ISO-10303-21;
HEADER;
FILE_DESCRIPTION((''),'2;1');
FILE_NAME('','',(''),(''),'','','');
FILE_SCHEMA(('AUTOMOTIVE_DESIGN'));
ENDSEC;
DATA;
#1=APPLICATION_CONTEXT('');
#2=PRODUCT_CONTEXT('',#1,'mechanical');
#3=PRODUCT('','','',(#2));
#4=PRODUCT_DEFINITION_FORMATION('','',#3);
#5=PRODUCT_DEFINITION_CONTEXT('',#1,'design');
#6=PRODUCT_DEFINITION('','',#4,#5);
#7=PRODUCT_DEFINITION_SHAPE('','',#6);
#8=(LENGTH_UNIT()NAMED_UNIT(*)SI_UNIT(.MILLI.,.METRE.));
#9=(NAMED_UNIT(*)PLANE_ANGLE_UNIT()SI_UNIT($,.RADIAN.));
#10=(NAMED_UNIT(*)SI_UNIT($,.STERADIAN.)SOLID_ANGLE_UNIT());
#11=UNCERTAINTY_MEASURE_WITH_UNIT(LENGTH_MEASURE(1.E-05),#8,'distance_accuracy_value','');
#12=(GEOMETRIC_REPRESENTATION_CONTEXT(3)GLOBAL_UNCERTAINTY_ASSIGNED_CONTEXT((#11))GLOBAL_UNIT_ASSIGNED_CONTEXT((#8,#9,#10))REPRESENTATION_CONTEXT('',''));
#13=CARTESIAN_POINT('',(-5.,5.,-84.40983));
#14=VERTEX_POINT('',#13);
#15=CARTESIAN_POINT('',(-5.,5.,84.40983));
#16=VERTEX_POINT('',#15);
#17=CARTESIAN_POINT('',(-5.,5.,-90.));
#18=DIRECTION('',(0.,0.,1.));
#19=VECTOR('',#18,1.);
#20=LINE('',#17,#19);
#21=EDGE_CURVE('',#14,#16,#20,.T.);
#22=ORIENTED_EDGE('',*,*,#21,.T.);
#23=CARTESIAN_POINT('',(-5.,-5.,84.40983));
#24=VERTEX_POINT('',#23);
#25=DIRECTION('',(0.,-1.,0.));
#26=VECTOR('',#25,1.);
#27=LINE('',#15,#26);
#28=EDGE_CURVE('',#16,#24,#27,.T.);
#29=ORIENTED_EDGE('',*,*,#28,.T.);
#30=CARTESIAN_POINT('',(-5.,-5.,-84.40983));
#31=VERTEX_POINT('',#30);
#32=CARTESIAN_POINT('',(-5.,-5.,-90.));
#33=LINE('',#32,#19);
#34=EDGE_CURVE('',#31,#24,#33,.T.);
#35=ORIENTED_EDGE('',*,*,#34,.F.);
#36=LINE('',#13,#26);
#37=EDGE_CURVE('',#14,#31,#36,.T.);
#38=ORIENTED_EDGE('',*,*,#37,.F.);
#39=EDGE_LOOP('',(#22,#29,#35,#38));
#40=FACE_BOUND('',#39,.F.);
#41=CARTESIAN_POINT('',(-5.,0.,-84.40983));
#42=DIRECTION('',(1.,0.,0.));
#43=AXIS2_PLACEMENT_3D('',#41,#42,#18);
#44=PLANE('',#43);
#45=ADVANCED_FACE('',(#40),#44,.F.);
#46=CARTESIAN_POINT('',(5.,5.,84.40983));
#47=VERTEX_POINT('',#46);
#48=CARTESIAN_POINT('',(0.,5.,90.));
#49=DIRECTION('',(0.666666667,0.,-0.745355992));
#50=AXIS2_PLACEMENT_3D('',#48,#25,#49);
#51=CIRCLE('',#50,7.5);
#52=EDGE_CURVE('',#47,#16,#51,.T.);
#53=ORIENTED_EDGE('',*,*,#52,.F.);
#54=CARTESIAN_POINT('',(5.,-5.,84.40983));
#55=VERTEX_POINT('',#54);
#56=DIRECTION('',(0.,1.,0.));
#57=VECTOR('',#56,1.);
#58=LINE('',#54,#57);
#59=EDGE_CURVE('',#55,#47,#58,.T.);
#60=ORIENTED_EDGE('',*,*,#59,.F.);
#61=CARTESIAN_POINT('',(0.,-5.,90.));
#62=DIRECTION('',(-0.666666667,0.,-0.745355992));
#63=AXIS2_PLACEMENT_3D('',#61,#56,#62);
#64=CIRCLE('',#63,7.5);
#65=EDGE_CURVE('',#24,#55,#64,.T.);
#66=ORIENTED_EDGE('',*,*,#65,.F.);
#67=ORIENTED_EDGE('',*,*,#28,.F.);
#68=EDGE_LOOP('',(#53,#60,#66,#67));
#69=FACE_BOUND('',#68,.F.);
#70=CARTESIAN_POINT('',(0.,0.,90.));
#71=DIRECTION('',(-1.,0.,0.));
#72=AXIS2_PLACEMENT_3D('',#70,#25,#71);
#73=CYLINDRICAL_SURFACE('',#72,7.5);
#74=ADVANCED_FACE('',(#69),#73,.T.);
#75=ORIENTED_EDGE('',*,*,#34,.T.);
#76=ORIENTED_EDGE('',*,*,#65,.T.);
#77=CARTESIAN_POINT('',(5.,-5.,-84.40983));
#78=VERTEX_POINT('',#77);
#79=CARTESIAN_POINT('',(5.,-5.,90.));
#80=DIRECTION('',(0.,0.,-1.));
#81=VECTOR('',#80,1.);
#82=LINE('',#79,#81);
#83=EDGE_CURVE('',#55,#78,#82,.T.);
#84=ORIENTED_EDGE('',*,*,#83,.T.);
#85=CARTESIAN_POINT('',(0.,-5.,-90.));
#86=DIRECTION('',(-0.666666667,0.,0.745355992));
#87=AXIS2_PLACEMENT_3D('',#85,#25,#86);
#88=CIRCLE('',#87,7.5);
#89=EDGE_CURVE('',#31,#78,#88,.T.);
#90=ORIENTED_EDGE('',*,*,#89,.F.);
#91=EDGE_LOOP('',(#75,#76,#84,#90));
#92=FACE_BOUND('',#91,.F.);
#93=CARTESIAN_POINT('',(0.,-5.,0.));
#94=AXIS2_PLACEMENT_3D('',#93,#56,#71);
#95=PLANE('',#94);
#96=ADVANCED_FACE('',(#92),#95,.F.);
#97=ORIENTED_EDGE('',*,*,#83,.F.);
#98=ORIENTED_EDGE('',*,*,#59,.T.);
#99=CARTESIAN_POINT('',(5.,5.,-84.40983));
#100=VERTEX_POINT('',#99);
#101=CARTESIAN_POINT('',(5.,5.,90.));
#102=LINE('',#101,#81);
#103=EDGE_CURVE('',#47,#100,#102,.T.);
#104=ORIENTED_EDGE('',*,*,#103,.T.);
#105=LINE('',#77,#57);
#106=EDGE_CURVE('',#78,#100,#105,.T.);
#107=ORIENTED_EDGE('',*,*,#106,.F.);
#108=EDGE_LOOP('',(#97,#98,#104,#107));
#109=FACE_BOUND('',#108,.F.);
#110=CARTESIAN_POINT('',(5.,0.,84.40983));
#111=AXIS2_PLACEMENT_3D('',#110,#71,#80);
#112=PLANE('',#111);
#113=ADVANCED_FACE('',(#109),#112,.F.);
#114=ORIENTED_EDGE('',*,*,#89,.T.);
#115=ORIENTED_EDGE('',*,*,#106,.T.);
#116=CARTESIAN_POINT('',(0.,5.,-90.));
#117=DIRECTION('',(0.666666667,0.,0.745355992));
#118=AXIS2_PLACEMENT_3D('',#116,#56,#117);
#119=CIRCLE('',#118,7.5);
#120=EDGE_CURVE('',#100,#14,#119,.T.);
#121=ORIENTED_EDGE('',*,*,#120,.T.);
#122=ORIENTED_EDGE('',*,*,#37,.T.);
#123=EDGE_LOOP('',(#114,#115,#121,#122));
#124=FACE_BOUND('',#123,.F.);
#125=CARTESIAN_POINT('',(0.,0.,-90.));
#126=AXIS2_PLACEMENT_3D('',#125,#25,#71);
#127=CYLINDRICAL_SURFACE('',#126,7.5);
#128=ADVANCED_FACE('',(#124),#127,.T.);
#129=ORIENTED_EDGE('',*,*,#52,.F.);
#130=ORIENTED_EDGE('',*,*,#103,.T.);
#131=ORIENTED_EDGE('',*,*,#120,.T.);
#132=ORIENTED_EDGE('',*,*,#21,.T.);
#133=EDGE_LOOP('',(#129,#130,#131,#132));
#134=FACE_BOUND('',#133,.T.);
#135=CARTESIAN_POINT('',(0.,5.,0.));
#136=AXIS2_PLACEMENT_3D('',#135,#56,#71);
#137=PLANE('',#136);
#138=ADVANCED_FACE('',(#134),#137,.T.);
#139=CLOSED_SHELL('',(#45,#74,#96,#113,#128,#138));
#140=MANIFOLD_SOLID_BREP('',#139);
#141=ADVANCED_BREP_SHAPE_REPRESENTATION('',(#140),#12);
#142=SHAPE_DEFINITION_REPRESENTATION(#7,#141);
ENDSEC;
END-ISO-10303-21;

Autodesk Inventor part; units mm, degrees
ref_plane "YZ Plane" through (0, 0, 0) normal (1, 0, 0) x (0, 1, 0)
ref_plane "XZ Plane" through (0, 0, 0) normal (0, 1, 0) x (-1, 0, 0)
ref_plane "XY Plane" through (0, 0, 0) normal (0, 0, 1) x (1, 0, 0)
sketch "スケッチ1" plane through (0, 0, 0) normal (0, 1, 0) x (-1, 0, 0)
  circle A0 centre (0, 90) radius 7.5
  circle A1 centre (0, -90) radius 7.5
  line L0 (5, 90) -> (-5, 90)
  line L1 (-5, 90) -> (-5, -90)
  line L2 (-5, -90) -> (5, -90)
  line L3 (5, -90) -> (5, 90)
  point P0 (0, 0)
  point P1 (0, 90)
  point P2 (5, -84.4098)
  point P3 (5, 84.4098)
  point P4 (-5, 84.4098)
  point P5 (-5, -84.4098)
  dimension "d0" = 180
  dimension "d1" = 5
  dimension "d2" = 10
  dimension "d3" = 90
  dimension "d4" = 0
  dimension "d5" = 0
  dimension "d6" = 15
  dimension "d7" = 15
extrude "押し出し1" add sketch "スケッチ1" along normal blind 5 and the other way blind 5
properties part number "link_wp2kp"
